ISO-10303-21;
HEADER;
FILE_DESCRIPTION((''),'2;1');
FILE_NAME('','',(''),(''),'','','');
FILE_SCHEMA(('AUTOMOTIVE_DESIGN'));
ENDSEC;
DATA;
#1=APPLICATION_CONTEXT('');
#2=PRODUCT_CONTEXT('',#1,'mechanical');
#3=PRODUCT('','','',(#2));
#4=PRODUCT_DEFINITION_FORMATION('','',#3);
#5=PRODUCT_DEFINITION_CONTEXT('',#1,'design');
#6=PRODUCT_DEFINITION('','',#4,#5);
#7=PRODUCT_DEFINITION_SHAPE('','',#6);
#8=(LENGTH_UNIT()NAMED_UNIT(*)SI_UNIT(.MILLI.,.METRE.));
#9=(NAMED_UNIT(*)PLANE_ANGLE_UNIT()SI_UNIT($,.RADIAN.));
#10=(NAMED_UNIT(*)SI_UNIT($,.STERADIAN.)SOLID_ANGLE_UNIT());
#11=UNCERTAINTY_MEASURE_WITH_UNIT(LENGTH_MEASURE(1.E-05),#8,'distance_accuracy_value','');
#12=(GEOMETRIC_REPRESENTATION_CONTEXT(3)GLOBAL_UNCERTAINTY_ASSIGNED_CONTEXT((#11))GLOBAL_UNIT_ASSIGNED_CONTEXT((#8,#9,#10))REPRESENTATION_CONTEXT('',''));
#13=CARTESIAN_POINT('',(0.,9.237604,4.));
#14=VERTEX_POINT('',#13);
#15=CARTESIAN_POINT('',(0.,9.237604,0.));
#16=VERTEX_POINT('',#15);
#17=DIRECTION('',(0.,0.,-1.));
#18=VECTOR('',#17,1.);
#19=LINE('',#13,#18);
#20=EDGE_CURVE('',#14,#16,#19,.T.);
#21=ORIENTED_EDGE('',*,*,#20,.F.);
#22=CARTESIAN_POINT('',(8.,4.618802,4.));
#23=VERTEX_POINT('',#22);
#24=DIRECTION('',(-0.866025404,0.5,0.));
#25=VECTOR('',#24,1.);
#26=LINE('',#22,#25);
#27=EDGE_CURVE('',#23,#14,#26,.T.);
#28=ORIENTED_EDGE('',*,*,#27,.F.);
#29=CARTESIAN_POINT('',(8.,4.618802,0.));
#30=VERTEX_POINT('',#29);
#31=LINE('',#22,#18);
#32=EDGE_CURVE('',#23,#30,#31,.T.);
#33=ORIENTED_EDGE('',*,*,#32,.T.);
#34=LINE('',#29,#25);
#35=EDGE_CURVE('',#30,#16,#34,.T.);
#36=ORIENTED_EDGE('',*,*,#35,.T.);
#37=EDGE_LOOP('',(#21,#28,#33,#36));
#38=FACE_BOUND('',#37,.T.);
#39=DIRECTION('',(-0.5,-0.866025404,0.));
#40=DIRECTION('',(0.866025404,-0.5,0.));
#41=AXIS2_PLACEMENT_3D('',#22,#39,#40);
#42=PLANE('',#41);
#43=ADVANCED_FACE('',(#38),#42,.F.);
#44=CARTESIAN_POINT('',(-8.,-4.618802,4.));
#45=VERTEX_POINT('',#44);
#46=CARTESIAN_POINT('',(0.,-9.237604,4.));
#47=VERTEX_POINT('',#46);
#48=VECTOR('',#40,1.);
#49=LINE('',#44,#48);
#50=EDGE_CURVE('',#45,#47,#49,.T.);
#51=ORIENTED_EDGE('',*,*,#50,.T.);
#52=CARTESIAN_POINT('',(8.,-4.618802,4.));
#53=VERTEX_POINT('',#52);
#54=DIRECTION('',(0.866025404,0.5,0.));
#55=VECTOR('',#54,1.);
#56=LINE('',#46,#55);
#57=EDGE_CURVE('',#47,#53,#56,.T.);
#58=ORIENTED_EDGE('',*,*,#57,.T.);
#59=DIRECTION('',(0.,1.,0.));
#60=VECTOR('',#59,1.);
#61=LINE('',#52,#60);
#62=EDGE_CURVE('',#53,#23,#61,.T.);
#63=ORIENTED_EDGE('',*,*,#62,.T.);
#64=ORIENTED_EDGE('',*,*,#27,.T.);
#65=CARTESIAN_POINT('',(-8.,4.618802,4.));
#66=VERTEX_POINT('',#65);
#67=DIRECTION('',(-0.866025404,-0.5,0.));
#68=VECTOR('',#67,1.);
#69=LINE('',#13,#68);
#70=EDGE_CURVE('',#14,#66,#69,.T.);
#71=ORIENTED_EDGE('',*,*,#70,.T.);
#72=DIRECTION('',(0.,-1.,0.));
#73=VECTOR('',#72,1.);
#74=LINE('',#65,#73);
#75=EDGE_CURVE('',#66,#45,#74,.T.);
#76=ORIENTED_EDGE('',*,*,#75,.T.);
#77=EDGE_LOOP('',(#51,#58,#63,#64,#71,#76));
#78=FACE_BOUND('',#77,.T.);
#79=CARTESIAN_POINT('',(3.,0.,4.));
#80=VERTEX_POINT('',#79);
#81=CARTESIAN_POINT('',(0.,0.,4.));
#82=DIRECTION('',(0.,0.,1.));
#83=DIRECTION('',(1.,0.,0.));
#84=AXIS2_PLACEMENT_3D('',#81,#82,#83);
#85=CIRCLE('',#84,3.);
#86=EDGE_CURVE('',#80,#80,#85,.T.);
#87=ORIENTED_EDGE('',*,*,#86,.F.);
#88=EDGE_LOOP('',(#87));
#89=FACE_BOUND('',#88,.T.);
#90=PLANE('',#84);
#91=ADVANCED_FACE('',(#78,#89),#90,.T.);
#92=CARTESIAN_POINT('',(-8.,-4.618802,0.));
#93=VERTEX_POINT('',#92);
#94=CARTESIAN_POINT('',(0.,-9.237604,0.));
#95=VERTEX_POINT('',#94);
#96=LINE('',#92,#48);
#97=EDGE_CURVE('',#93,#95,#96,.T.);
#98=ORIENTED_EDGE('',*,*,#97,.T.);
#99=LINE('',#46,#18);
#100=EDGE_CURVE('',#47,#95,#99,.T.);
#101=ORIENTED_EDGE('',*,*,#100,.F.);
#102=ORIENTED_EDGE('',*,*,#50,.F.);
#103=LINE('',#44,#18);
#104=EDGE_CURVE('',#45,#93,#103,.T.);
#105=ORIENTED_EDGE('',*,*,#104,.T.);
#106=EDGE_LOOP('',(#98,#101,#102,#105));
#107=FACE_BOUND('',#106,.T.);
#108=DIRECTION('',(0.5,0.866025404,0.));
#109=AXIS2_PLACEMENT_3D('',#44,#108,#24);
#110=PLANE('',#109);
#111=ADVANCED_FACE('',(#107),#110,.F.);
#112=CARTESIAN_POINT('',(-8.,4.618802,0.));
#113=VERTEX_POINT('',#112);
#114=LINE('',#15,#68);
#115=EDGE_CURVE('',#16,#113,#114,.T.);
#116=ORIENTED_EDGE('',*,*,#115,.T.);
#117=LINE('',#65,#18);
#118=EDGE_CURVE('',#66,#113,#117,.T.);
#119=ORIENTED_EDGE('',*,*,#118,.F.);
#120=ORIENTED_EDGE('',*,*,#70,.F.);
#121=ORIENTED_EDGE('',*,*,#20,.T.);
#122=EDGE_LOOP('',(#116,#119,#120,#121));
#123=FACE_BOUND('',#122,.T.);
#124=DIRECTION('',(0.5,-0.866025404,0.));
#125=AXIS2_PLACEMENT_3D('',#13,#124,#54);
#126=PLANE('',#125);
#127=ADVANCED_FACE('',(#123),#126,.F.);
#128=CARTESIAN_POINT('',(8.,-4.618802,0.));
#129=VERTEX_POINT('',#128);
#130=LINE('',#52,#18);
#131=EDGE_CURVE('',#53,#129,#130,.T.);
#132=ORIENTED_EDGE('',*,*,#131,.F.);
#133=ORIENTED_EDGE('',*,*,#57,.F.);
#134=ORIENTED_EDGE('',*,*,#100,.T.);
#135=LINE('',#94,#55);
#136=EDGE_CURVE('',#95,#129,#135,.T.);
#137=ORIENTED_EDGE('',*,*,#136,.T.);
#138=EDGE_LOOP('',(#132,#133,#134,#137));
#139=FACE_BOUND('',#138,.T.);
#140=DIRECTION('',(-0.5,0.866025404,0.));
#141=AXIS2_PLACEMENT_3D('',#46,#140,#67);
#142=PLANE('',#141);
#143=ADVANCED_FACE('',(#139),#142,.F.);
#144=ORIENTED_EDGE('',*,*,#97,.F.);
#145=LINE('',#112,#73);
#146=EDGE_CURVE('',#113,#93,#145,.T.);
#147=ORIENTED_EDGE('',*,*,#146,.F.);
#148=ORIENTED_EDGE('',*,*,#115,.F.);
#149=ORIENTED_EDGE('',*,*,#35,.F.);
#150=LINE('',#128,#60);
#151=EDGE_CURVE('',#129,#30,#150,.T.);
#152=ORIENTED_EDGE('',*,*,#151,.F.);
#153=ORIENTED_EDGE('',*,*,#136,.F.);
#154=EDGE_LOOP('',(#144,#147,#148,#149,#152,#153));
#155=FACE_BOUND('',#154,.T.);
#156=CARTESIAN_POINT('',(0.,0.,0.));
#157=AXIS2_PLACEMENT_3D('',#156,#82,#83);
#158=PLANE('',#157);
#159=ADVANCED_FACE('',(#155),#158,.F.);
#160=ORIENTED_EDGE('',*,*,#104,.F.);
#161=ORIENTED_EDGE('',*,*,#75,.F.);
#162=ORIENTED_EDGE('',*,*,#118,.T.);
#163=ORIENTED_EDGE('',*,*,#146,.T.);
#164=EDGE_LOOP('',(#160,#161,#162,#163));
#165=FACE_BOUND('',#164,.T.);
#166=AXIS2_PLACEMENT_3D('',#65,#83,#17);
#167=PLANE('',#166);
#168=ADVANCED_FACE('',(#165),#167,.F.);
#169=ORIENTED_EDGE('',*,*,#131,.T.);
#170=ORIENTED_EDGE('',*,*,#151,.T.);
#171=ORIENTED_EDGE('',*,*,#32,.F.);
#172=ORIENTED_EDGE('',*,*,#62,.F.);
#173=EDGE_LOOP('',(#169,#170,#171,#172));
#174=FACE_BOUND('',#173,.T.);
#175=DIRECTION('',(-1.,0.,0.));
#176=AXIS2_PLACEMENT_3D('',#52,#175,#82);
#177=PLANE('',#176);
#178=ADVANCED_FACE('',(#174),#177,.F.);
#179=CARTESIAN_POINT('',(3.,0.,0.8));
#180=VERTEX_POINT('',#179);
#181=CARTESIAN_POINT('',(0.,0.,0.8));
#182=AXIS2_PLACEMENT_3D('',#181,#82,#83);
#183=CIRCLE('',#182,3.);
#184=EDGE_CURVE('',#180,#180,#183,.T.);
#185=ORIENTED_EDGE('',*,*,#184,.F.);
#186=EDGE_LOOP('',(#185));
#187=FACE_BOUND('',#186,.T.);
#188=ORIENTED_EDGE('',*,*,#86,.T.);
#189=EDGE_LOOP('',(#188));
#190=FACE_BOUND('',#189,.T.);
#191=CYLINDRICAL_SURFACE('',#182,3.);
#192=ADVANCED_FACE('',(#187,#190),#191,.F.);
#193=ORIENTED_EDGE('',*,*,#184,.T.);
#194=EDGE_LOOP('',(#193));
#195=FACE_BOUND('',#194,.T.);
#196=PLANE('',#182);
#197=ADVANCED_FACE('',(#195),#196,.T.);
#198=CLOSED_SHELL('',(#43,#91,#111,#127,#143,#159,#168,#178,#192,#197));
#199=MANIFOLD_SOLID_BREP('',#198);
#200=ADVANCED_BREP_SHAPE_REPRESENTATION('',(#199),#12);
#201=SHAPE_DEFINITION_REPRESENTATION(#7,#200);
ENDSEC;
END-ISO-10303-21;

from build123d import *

# Parameters (mm, degrees)
BOSS_EXTRUDE1_DEPTH = 4
SKETCH2_R           = 3
CUT_EXTRUDE1_DEPTH  = 3.2


with BuildPart() as part:
    # Sketch1 → Boss-Extrude1 (new body)
    with BuildSketch(Plane.XY):
        Polygon((0, 9.237604307), (-8, 4.618802154), (-8, -4.618802154), (0, -9.237604307), (8, -4.618802154), (8, 4.618802154), align=None)
    extrude(amount=BOSS_EXTRUDE1_DEPTH)

    # Sketch2 → Cut-Extrude1 (cut)
    with BuildSketch(Plane.XY.offset(4)):
        Circle(SKETCH2_R)
    extrude(amount=-CUT_EXTRUDE1_DEPTH, mode=Mode.SUBTRACT)


solid = part.part
